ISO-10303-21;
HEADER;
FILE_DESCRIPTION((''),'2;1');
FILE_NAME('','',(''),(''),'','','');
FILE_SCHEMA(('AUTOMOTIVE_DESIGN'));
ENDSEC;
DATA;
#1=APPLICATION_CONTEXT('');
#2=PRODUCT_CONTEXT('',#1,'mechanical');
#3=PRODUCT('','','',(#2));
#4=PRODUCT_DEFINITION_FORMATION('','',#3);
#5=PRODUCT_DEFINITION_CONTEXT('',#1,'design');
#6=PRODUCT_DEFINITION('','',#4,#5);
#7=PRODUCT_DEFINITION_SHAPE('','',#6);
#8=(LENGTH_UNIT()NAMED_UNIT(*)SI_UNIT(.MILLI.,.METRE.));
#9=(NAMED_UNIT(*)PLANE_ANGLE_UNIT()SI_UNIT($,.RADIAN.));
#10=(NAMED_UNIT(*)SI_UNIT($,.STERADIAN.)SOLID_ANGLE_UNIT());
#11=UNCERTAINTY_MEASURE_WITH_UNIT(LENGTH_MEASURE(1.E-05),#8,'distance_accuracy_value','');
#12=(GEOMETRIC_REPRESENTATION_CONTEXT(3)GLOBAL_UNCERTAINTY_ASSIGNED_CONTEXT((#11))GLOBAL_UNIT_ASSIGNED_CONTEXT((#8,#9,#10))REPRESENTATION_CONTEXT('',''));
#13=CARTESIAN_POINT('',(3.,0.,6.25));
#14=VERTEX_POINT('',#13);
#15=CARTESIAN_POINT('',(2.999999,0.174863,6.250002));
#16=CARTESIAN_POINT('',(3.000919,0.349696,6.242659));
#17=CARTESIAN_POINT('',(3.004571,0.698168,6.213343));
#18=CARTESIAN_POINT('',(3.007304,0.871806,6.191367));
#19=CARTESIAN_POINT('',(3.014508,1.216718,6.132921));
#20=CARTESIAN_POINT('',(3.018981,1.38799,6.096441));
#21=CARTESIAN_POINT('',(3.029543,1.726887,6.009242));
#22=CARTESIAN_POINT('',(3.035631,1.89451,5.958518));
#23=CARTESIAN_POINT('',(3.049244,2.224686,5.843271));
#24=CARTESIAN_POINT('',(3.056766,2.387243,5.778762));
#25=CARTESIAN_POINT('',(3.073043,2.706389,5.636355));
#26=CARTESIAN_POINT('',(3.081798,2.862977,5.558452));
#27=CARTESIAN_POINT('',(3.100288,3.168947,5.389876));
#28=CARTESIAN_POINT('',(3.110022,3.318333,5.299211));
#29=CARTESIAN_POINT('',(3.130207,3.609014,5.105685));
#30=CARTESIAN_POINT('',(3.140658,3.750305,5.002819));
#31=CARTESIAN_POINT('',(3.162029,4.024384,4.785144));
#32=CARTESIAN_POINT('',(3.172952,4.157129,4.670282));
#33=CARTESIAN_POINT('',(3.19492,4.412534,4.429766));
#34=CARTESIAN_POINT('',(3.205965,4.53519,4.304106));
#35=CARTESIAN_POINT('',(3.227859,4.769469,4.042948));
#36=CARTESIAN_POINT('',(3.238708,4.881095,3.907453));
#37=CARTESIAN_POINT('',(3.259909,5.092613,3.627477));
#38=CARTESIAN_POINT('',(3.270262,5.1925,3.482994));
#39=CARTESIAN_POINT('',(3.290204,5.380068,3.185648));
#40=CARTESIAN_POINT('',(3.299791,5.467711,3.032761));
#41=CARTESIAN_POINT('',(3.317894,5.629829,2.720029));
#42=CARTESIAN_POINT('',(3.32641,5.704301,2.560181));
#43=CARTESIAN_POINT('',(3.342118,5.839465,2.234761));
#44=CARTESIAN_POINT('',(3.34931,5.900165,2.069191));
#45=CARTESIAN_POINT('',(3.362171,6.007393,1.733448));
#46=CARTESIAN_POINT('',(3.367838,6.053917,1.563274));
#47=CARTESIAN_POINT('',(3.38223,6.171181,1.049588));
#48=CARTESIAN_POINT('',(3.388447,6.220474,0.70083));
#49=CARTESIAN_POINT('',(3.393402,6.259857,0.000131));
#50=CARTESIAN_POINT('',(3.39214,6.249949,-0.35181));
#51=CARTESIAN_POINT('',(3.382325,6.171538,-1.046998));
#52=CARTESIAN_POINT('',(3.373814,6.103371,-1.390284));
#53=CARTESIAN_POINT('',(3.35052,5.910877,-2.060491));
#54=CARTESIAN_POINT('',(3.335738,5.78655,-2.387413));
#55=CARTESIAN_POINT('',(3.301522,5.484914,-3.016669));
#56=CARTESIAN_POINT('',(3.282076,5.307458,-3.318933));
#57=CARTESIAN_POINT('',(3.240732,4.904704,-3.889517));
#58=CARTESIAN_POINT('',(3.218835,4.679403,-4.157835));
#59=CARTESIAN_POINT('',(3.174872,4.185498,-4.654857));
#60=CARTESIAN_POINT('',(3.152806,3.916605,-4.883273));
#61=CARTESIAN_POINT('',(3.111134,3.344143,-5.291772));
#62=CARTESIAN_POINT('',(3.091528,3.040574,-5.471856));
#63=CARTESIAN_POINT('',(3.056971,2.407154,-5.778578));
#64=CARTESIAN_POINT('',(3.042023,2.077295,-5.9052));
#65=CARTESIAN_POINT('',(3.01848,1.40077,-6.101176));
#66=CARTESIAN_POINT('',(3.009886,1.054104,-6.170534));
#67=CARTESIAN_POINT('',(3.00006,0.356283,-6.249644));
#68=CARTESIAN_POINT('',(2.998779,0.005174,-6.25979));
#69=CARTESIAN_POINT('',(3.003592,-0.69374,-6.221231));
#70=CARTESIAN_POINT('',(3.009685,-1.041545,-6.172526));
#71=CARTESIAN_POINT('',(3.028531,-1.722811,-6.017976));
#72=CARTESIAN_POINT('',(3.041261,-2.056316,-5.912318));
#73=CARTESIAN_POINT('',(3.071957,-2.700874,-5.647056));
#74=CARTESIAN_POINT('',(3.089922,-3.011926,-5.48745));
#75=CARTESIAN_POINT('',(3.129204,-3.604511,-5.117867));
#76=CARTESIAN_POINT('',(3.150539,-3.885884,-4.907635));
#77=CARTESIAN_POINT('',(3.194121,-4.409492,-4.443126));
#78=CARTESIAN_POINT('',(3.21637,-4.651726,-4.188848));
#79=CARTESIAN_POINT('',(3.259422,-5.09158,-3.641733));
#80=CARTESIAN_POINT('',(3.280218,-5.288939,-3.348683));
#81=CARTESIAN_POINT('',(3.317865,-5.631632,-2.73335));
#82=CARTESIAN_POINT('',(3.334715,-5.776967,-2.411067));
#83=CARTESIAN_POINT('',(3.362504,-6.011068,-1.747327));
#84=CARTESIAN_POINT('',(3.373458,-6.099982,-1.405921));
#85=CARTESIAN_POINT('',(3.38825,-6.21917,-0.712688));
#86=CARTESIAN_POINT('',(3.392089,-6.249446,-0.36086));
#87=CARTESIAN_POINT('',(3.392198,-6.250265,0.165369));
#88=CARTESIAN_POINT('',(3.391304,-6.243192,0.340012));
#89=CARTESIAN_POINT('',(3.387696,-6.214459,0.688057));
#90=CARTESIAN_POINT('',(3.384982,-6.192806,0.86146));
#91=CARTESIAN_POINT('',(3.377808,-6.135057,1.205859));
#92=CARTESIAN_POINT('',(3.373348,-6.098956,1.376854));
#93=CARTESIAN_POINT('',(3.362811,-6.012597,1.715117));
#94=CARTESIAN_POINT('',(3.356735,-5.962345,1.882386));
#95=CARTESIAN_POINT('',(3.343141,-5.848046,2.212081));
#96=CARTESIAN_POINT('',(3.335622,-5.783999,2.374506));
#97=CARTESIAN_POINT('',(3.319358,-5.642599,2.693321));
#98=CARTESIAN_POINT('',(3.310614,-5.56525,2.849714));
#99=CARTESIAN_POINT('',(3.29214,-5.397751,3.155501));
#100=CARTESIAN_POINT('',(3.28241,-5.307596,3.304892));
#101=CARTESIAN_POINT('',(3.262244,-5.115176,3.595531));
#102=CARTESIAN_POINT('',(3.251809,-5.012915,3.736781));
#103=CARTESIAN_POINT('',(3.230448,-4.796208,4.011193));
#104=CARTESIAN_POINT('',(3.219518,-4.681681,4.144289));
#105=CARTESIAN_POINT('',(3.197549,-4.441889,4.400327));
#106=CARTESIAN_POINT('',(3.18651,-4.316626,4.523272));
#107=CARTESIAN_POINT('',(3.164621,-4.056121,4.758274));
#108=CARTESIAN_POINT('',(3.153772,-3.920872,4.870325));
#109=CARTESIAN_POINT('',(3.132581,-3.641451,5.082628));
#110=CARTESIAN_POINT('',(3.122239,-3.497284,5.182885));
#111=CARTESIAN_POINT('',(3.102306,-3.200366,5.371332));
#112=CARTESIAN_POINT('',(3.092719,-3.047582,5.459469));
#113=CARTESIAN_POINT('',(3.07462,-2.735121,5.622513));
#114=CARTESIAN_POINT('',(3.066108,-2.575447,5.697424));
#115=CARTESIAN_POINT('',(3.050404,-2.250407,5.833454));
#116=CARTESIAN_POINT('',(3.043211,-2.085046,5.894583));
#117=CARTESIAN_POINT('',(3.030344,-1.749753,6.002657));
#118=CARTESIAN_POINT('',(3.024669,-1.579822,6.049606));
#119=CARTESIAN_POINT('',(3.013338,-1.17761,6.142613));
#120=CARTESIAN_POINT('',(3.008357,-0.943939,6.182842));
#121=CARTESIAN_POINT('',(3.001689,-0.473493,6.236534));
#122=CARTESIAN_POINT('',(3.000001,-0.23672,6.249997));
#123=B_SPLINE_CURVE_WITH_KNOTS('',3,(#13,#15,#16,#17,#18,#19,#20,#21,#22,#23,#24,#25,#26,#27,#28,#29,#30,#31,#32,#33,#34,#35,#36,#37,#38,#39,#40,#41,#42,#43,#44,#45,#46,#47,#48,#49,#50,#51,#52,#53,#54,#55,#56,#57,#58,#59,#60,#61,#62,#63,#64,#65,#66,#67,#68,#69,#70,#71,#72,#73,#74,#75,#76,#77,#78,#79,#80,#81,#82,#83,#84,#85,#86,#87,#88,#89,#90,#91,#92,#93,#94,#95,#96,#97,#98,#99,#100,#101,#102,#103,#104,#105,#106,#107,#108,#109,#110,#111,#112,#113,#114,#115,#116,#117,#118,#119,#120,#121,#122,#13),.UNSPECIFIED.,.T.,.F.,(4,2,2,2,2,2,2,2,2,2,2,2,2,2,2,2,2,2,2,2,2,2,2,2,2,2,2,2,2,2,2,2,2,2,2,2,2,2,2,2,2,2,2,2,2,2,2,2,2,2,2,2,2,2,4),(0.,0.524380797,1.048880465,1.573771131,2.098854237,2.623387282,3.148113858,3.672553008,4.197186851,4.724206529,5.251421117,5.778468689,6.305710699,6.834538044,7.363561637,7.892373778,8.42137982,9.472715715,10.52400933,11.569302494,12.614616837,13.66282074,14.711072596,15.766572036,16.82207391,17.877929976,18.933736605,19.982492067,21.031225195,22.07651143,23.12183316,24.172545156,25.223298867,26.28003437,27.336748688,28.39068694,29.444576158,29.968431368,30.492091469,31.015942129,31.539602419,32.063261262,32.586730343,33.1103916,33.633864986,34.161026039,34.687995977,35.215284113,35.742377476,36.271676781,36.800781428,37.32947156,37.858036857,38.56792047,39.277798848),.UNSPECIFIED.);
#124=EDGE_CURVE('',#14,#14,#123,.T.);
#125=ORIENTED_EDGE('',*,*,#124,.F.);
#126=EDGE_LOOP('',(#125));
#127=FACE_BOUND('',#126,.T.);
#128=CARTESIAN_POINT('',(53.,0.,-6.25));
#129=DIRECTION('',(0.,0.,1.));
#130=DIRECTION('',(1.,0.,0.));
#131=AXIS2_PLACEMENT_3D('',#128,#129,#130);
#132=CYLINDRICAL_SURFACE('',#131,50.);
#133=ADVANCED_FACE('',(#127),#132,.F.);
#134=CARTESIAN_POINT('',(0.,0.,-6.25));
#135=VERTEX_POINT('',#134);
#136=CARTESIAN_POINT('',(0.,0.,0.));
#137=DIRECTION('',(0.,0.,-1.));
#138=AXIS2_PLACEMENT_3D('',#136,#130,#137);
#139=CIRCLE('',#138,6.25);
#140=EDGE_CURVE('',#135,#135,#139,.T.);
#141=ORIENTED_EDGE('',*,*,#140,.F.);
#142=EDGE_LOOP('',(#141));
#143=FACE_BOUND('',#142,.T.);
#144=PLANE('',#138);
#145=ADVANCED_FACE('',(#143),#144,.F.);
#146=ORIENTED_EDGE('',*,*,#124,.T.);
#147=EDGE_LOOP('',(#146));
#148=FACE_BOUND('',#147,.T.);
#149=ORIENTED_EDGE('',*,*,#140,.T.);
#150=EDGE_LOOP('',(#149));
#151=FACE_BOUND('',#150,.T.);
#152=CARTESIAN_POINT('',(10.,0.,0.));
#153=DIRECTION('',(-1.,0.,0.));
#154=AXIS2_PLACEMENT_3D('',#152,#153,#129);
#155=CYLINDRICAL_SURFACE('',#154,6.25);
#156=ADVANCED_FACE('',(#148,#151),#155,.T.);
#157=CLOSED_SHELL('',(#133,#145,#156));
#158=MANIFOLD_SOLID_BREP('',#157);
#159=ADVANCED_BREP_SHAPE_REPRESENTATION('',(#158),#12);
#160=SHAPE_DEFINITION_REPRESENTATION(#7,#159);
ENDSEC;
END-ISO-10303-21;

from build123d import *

# Parameters (mm, degrees)
SKETCH_1_R               = 6.25
EXTRUDE_1_DEPTH          = 10
SKETCH_2_R               = 50
CUT_EXTRUDE_1_DEPTH      = 7.25
CUT_EXTRUDE_1_DEPTH_BACK = 7.25


with BuildPart() as part:
    # 草图1 → 凸台-拉伸1 (new body)
    with BuildSketch(Plane(origin=(0, 0, 0), x_dir=(0, 0, -1), z_dir=(1, 0, 0))):
        Circle(SKETCH_1_R)
    extrude(amount=EXTRUDE_1_DEPTH)

    # 草图2 → 切除-拉伸1 (cut, two sides)
    with BuildSketch(Plane.XY) as cut_extrude_1_sk:
        with Locations((53, 0)):
            Circle(SKETCH_2_R)
    extrude(amount=CUT_EXTRUDE_1_DEPTH, mode=Mode.SUBTRACT)
    extrude(cut_extrude_1_sk.sketch, amount=-CUT_EXTRUDE_1_DEPTH_BACK, mode=Mode.SUBTRACT)


solid = part.part
